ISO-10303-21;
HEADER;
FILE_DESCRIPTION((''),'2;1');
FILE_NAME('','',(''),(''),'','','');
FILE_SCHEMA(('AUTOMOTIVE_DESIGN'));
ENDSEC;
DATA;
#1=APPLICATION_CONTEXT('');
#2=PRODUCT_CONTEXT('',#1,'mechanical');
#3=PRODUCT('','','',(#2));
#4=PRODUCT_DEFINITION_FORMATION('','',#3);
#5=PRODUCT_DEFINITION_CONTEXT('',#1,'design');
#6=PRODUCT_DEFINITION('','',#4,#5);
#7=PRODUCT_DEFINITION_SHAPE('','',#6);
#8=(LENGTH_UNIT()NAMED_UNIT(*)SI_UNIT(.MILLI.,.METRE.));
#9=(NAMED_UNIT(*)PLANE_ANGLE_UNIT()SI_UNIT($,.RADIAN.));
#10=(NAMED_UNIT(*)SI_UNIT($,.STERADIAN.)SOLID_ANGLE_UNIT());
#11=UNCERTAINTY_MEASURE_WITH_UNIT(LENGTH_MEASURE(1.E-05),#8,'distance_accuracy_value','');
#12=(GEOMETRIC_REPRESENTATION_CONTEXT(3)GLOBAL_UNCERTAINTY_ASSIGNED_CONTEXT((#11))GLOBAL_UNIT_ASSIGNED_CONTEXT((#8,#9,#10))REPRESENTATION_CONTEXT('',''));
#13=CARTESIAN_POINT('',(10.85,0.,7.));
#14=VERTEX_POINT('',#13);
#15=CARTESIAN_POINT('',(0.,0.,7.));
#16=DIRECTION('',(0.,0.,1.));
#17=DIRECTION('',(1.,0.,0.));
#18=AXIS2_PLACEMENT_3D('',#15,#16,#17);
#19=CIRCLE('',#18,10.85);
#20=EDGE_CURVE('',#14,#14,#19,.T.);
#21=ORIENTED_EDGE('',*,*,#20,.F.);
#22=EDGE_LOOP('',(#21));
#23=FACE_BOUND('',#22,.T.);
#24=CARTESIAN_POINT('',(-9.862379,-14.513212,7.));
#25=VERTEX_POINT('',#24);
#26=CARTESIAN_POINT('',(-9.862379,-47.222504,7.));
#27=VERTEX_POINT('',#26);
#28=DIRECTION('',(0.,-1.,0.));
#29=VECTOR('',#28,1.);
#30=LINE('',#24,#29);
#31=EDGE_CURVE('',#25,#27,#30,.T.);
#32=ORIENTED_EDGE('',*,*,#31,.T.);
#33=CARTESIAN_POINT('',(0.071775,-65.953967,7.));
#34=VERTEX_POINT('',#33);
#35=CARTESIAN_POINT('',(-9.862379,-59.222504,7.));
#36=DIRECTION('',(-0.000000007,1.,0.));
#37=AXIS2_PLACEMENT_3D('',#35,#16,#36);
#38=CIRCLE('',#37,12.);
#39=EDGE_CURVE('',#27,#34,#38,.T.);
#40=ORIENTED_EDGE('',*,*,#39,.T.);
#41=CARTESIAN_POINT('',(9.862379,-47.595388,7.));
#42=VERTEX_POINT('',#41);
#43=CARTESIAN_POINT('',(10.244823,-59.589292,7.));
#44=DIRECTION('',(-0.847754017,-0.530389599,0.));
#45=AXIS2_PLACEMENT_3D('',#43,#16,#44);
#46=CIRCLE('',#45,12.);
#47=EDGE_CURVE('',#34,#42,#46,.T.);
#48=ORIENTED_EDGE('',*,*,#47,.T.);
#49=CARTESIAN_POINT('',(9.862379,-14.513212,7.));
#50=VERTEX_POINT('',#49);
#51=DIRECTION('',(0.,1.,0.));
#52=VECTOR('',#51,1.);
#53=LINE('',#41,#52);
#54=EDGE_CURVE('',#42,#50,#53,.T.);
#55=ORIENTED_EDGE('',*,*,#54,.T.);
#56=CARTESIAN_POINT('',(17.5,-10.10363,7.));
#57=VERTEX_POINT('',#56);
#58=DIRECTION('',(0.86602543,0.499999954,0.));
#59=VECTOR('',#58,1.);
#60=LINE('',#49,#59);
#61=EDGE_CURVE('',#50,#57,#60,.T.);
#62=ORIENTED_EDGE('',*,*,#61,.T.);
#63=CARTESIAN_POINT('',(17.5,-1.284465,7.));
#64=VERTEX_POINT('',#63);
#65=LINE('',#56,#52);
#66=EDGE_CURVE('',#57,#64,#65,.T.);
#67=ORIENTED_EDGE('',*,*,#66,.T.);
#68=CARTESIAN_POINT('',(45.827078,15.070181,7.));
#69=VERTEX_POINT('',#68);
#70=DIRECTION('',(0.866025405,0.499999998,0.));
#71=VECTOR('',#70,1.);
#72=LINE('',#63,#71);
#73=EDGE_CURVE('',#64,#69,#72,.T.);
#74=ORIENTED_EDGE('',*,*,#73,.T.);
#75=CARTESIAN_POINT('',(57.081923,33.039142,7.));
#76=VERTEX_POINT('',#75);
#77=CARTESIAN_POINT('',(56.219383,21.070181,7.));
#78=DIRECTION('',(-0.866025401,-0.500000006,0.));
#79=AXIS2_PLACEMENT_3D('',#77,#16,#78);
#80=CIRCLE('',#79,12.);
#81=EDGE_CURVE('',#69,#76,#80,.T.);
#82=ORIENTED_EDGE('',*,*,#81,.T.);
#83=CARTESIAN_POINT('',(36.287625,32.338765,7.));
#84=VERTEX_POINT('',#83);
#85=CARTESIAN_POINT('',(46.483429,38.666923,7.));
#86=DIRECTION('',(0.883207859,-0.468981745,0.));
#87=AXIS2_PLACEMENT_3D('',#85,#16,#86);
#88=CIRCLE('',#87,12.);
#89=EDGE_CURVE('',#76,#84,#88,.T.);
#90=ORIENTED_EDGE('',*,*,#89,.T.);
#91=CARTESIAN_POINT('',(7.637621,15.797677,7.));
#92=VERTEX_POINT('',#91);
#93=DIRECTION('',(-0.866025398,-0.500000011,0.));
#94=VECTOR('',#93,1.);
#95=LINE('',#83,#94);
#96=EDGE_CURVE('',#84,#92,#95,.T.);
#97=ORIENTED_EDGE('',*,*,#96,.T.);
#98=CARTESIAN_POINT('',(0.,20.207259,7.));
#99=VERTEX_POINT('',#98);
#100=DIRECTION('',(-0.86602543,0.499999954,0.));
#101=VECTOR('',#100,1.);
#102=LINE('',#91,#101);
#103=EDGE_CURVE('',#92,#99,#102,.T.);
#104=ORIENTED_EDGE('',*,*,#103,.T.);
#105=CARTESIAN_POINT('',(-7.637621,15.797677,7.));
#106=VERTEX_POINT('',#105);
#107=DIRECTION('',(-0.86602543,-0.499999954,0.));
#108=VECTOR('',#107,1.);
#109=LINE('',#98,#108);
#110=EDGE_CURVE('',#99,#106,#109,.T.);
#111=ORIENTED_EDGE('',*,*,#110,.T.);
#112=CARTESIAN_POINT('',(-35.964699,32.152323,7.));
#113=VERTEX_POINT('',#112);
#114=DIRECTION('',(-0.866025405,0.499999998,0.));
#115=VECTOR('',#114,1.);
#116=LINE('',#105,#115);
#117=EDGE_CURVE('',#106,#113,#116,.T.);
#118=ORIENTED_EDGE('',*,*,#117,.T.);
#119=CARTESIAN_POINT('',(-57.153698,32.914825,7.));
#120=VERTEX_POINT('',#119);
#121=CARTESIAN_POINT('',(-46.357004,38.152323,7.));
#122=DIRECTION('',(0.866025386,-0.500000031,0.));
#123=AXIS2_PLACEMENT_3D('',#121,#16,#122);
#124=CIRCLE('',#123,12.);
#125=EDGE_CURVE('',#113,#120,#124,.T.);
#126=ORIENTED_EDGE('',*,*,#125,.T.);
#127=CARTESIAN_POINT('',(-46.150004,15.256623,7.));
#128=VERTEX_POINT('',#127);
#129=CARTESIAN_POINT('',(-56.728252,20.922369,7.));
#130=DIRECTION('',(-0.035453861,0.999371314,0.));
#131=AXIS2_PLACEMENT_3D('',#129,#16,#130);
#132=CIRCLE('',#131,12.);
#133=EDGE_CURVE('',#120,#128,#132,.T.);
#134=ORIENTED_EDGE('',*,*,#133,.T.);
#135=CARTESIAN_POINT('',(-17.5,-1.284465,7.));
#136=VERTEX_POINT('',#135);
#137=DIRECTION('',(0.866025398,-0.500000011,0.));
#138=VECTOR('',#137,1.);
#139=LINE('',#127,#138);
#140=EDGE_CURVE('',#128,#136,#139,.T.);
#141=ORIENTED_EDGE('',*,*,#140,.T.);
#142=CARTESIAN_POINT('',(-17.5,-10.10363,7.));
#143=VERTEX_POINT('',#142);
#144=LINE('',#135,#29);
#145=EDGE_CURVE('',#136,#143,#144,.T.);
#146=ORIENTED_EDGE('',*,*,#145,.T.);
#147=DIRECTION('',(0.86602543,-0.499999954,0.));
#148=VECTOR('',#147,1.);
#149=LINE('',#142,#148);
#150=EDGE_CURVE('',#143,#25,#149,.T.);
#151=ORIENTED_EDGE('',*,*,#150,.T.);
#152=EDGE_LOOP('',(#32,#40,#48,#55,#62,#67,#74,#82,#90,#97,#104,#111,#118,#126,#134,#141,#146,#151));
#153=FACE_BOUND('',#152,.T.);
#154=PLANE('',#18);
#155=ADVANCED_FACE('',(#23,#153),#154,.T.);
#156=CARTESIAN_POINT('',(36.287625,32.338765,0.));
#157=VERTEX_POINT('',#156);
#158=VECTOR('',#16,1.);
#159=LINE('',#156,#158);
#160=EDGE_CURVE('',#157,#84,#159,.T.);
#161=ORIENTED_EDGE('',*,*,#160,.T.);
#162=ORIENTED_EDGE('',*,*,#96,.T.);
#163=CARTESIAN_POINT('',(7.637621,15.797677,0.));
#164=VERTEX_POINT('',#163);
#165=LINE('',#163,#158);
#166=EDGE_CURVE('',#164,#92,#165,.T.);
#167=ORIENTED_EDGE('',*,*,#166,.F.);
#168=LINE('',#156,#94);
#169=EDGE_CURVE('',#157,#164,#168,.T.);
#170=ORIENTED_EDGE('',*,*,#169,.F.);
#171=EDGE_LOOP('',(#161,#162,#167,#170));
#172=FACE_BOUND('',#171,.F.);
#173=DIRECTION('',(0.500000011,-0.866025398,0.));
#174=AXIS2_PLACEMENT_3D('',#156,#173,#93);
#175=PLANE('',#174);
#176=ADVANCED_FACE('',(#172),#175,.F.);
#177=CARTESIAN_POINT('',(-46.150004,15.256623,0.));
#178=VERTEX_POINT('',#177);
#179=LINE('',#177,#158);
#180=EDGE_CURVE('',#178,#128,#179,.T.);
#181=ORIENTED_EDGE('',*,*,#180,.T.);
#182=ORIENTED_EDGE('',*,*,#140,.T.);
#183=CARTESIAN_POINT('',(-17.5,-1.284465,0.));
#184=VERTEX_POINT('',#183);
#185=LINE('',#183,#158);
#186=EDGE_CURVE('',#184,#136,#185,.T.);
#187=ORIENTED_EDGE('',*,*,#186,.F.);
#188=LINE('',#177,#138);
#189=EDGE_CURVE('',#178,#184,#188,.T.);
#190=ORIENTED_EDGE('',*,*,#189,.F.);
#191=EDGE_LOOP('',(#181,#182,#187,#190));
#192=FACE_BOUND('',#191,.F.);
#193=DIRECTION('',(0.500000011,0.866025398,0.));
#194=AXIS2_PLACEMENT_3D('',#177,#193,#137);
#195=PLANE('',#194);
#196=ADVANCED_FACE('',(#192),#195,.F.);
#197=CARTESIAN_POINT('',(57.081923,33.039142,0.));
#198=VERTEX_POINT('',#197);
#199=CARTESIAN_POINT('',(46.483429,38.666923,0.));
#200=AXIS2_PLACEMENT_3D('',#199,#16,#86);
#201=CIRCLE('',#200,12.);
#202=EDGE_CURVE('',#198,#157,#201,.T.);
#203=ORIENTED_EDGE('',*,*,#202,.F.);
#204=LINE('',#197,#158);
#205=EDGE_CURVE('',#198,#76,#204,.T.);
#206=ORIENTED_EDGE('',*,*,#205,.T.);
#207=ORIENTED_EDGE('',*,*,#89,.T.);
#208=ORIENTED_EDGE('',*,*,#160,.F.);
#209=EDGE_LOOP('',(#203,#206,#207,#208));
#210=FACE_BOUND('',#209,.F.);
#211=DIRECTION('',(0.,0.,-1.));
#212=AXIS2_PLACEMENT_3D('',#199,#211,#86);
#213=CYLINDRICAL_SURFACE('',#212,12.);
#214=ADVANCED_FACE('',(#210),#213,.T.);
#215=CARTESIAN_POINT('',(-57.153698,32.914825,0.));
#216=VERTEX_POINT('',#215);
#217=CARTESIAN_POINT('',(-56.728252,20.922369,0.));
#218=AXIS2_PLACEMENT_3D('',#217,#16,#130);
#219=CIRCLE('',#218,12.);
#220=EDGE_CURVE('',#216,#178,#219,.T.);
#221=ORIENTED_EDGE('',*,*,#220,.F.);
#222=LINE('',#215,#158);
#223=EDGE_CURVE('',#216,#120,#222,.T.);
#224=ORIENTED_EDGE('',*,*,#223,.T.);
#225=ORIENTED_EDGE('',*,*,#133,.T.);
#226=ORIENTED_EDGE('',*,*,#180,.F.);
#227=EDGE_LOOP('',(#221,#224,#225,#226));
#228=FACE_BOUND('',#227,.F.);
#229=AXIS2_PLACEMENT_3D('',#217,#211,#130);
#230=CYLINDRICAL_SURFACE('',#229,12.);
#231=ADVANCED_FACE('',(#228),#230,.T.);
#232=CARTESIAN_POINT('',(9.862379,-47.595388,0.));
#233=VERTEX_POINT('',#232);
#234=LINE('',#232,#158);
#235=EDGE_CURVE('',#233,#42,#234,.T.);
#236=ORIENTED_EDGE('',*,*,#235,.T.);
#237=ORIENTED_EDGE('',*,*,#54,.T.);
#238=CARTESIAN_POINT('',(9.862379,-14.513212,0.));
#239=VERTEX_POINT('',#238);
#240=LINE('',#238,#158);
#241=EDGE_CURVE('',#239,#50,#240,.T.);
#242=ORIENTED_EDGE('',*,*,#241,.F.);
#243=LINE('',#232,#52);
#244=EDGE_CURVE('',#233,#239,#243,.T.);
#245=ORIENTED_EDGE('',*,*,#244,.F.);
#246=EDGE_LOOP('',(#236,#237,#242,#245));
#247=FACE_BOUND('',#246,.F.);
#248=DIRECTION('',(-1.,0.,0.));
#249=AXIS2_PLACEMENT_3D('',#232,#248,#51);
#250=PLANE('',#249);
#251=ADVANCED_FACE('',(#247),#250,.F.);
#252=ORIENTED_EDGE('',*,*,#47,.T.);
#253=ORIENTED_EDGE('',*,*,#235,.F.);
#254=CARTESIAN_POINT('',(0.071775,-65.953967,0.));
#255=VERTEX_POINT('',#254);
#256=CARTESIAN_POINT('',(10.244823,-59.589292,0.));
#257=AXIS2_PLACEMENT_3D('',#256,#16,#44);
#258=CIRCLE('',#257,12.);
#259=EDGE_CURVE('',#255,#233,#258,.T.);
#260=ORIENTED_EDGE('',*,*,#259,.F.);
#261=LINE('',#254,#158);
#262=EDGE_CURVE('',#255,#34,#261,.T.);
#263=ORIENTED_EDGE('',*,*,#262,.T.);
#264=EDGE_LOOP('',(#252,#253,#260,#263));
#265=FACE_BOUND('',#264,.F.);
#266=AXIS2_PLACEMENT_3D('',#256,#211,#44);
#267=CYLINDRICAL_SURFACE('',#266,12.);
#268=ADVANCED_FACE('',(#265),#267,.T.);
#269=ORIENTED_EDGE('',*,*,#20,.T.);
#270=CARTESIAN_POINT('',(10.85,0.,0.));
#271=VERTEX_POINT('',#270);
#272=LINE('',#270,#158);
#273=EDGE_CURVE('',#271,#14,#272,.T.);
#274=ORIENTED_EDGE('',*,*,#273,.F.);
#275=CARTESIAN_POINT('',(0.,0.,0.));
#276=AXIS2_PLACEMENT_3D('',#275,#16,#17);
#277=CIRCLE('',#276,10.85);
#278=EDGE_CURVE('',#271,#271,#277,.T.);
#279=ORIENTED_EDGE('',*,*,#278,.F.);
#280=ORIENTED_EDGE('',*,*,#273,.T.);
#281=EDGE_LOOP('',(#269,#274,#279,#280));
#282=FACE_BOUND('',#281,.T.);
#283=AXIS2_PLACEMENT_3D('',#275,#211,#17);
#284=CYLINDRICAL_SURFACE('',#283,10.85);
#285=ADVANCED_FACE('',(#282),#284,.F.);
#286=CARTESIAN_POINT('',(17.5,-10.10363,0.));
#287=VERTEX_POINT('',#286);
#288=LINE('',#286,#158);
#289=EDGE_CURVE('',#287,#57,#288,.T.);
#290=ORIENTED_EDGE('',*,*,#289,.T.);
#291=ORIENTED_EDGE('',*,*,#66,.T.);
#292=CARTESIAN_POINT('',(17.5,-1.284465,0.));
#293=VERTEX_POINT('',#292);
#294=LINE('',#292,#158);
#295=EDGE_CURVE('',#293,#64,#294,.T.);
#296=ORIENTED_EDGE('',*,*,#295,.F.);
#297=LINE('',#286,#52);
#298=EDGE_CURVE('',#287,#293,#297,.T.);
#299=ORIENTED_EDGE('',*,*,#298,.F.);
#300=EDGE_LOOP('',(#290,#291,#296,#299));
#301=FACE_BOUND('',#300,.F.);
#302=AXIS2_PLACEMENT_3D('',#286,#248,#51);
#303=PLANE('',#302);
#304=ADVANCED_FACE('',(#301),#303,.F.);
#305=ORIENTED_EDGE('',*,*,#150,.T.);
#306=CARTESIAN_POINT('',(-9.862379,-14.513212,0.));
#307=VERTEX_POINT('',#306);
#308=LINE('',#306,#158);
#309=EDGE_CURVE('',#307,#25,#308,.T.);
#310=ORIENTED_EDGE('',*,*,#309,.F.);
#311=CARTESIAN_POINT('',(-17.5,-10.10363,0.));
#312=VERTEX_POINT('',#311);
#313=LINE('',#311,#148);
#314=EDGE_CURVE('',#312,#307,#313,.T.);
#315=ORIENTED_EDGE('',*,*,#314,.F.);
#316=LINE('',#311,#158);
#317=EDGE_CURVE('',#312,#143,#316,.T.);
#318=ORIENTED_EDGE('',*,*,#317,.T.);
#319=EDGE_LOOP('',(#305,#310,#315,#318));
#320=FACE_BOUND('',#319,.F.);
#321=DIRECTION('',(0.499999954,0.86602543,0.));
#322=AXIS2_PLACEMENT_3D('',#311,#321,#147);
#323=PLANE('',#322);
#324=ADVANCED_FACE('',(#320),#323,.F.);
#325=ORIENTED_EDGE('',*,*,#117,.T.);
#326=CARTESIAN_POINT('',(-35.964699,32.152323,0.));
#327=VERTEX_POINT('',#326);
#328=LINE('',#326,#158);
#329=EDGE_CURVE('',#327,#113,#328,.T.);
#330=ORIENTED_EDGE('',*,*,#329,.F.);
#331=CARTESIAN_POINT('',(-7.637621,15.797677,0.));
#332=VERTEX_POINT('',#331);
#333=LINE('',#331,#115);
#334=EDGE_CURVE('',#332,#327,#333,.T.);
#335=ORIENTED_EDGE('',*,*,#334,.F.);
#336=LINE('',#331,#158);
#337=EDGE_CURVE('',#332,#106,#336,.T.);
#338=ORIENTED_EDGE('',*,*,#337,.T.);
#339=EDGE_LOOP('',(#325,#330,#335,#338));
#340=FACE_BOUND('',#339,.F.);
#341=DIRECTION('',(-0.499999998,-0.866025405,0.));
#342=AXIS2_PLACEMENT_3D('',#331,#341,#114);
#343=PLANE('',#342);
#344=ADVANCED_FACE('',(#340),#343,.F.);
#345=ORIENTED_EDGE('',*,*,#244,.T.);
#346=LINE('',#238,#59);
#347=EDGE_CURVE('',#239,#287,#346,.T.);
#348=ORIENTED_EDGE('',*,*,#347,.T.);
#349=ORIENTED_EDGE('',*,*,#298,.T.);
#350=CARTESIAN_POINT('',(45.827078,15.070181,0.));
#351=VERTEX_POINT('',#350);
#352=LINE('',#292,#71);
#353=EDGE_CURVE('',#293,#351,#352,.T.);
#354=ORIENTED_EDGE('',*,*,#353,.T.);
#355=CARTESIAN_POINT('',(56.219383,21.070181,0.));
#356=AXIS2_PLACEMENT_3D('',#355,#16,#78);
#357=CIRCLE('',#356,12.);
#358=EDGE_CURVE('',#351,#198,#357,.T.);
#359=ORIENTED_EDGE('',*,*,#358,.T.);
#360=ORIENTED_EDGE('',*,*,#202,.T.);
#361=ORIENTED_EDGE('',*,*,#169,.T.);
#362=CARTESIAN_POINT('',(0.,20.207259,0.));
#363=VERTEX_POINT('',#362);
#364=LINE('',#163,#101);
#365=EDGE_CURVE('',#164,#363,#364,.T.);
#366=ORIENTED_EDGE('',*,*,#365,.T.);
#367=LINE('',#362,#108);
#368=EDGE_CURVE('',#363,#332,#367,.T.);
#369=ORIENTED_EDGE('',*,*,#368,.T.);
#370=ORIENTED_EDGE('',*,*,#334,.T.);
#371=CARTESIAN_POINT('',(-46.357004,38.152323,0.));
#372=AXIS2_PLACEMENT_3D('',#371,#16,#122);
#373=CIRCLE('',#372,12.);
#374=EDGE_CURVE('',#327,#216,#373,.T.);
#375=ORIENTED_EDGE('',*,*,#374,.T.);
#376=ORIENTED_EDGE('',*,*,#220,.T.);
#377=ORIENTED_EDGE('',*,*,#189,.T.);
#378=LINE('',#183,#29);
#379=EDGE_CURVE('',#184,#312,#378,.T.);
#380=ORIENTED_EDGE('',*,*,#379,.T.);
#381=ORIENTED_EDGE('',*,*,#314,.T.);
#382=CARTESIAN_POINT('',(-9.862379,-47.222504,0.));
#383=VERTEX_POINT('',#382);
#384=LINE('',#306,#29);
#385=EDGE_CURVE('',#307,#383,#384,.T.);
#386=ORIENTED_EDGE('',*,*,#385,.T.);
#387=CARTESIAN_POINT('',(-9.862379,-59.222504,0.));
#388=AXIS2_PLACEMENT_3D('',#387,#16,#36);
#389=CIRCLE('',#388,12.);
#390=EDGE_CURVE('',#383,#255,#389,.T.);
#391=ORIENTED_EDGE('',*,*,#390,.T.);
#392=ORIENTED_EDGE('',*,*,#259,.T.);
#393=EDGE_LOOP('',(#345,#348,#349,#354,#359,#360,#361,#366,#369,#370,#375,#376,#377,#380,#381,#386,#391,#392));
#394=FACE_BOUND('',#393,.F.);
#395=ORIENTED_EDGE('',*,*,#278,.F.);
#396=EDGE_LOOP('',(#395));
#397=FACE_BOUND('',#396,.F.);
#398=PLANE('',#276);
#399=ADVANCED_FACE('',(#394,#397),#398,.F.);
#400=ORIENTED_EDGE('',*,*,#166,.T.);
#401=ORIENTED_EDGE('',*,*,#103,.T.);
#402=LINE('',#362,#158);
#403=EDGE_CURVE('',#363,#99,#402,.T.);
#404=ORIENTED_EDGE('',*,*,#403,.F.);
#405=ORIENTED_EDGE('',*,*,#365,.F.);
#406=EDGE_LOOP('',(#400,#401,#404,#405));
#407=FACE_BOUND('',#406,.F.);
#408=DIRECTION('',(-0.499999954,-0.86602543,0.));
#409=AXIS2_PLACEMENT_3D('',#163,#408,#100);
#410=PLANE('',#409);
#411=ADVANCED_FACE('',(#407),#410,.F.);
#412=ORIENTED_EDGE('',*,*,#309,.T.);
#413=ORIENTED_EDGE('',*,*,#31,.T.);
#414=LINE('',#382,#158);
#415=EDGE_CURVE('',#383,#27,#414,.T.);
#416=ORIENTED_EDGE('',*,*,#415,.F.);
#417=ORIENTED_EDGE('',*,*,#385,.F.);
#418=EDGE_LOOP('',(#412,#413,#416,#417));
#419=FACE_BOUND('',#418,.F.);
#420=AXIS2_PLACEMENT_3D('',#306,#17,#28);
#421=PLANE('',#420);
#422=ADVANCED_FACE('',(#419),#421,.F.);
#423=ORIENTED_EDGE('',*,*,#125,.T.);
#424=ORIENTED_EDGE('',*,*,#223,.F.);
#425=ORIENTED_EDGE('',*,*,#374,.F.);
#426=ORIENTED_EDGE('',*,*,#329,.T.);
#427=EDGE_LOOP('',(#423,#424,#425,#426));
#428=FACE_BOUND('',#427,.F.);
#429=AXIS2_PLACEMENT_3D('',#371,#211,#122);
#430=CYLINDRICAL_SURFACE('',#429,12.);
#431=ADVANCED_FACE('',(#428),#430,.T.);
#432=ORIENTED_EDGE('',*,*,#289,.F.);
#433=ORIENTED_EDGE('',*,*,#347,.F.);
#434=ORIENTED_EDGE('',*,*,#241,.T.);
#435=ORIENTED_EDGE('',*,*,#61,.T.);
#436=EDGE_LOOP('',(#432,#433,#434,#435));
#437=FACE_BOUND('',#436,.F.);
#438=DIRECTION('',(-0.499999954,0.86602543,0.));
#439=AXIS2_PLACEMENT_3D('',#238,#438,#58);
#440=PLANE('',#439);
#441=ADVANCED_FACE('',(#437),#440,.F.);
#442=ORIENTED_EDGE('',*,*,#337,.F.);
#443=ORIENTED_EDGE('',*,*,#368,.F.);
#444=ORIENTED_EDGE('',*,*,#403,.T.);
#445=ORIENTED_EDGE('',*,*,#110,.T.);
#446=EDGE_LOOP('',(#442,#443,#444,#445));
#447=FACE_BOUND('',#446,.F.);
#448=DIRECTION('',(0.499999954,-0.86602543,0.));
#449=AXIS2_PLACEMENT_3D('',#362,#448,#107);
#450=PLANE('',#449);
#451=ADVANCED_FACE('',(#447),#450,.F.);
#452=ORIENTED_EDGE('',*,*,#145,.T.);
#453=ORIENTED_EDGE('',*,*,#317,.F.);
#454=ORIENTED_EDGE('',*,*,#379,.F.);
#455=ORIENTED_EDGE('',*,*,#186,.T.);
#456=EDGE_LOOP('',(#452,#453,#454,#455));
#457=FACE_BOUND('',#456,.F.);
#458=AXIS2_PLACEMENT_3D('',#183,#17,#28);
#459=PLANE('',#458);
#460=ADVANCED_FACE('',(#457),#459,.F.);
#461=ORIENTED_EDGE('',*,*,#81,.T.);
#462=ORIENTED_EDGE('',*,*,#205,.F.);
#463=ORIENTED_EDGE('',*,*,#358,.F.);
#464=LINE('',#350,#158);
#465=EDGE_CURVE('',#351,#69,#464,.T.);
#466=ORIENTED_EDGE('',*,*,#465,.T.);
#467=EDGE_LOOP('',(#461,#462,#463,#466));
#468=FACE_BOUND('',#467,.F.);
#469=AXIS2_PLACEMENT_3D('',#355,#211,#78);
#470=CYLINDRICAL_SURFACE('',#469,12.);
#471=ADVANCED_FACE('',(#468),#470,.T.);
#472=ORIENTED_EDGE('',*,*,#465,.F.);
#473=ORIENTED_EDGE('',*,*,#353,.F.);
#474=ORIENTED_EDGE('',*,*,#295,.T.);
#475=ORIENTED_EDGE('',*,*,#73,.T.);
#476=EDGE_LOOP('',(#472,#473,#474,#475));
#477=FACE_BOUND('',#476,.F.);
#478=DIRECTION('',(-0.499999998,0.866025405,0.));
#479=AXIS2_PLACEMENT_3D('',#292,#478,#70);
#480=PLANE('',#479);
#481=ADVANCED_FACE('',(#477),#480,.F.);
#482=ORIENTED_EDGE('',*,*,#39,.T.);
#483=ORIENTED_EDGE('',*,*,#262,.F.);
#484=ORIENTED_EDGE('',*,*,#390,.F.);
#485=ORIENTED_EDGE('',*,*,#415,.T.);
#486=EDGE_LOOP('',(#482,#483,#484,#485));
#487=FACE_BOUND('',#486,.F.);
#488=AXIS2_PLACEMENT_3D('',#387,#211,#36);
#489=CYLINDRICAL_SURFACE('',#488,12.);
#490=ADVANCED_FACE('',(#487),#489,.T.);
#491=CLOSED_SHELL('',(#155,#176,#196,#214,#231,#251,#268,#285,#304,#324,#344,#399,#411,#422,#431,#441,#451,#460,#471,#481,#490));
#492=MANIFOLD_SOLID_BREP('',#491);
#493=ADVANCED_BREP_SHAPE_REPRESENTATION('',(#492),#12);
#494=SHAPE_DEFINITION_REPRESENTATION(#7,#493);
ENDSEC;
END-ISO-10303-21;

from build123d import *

# Parameters (mm, degrees)
F0_R     = 10.85
F1_DEPTH = 7


with BuildPart() as f1:
    # F0 (on Top) → F1 (new body)
    with BuildSketch(Plane.XY):
        with BuildLine():
            Line((-17.5, -10.10363), (-9.862379, -14.513212))
            Line((-9.862379, -14.513212), (-9.862379, -47.222504))
            ThreePointArc((-9.862379, -47.222504), (-20.463736, -64.844891), (0.071775, -65.953967))
            ThreePointArc((0.071775, -65.953967), (20.833211, -65.236064), (9.862379, -47.595388))
            Line((9.862379, -47.595388), (9.862379, -14.513212))
            Line((9.862379, -14.513212), (17.5, -10.10363))
            Line((17.5, -10.10363), (17.5, -1.284465))
            Line((17.5, -1.284465), (45.827078, 15.070181))
            ThreePointArc((45.827078, 15.070181), (66.389191, 14.70033), (57.081923, 33.039142))
            ThreePointArc((57.081923, 33.039142), (46.079483, 50.660122), (36.287625, 32.338765))
            Line((36.287625, 32.338765), (7.637621, 15.797677))
            Line((7.637621, 15.797677), (0, 20.207259))
            Line((0, 20.207259), (-7.637621, 15.797677))
            Line((-7.637621, 15.797677), (-35.964699, 32.152323))
            ThreePointArc((-35.964699, 32.152323), (-45.925454, 50.144561), (-57.153698, 32.914825))
            ThreePointArc((-57.153698, 32.914825), (-66.912694, 14.575942), (-46.150004, 15.256623))
            Line((-46.150004, 15.256623), (-17.5, -1.284465))
            Line((-17.5, -1.284465), (-17.5, -10.10363))
        make_face()
        Circle(F0_R, mode=Mode.SUBTRACT)
    extrude(amount=F1_DEPTH)


solid = f1.part
